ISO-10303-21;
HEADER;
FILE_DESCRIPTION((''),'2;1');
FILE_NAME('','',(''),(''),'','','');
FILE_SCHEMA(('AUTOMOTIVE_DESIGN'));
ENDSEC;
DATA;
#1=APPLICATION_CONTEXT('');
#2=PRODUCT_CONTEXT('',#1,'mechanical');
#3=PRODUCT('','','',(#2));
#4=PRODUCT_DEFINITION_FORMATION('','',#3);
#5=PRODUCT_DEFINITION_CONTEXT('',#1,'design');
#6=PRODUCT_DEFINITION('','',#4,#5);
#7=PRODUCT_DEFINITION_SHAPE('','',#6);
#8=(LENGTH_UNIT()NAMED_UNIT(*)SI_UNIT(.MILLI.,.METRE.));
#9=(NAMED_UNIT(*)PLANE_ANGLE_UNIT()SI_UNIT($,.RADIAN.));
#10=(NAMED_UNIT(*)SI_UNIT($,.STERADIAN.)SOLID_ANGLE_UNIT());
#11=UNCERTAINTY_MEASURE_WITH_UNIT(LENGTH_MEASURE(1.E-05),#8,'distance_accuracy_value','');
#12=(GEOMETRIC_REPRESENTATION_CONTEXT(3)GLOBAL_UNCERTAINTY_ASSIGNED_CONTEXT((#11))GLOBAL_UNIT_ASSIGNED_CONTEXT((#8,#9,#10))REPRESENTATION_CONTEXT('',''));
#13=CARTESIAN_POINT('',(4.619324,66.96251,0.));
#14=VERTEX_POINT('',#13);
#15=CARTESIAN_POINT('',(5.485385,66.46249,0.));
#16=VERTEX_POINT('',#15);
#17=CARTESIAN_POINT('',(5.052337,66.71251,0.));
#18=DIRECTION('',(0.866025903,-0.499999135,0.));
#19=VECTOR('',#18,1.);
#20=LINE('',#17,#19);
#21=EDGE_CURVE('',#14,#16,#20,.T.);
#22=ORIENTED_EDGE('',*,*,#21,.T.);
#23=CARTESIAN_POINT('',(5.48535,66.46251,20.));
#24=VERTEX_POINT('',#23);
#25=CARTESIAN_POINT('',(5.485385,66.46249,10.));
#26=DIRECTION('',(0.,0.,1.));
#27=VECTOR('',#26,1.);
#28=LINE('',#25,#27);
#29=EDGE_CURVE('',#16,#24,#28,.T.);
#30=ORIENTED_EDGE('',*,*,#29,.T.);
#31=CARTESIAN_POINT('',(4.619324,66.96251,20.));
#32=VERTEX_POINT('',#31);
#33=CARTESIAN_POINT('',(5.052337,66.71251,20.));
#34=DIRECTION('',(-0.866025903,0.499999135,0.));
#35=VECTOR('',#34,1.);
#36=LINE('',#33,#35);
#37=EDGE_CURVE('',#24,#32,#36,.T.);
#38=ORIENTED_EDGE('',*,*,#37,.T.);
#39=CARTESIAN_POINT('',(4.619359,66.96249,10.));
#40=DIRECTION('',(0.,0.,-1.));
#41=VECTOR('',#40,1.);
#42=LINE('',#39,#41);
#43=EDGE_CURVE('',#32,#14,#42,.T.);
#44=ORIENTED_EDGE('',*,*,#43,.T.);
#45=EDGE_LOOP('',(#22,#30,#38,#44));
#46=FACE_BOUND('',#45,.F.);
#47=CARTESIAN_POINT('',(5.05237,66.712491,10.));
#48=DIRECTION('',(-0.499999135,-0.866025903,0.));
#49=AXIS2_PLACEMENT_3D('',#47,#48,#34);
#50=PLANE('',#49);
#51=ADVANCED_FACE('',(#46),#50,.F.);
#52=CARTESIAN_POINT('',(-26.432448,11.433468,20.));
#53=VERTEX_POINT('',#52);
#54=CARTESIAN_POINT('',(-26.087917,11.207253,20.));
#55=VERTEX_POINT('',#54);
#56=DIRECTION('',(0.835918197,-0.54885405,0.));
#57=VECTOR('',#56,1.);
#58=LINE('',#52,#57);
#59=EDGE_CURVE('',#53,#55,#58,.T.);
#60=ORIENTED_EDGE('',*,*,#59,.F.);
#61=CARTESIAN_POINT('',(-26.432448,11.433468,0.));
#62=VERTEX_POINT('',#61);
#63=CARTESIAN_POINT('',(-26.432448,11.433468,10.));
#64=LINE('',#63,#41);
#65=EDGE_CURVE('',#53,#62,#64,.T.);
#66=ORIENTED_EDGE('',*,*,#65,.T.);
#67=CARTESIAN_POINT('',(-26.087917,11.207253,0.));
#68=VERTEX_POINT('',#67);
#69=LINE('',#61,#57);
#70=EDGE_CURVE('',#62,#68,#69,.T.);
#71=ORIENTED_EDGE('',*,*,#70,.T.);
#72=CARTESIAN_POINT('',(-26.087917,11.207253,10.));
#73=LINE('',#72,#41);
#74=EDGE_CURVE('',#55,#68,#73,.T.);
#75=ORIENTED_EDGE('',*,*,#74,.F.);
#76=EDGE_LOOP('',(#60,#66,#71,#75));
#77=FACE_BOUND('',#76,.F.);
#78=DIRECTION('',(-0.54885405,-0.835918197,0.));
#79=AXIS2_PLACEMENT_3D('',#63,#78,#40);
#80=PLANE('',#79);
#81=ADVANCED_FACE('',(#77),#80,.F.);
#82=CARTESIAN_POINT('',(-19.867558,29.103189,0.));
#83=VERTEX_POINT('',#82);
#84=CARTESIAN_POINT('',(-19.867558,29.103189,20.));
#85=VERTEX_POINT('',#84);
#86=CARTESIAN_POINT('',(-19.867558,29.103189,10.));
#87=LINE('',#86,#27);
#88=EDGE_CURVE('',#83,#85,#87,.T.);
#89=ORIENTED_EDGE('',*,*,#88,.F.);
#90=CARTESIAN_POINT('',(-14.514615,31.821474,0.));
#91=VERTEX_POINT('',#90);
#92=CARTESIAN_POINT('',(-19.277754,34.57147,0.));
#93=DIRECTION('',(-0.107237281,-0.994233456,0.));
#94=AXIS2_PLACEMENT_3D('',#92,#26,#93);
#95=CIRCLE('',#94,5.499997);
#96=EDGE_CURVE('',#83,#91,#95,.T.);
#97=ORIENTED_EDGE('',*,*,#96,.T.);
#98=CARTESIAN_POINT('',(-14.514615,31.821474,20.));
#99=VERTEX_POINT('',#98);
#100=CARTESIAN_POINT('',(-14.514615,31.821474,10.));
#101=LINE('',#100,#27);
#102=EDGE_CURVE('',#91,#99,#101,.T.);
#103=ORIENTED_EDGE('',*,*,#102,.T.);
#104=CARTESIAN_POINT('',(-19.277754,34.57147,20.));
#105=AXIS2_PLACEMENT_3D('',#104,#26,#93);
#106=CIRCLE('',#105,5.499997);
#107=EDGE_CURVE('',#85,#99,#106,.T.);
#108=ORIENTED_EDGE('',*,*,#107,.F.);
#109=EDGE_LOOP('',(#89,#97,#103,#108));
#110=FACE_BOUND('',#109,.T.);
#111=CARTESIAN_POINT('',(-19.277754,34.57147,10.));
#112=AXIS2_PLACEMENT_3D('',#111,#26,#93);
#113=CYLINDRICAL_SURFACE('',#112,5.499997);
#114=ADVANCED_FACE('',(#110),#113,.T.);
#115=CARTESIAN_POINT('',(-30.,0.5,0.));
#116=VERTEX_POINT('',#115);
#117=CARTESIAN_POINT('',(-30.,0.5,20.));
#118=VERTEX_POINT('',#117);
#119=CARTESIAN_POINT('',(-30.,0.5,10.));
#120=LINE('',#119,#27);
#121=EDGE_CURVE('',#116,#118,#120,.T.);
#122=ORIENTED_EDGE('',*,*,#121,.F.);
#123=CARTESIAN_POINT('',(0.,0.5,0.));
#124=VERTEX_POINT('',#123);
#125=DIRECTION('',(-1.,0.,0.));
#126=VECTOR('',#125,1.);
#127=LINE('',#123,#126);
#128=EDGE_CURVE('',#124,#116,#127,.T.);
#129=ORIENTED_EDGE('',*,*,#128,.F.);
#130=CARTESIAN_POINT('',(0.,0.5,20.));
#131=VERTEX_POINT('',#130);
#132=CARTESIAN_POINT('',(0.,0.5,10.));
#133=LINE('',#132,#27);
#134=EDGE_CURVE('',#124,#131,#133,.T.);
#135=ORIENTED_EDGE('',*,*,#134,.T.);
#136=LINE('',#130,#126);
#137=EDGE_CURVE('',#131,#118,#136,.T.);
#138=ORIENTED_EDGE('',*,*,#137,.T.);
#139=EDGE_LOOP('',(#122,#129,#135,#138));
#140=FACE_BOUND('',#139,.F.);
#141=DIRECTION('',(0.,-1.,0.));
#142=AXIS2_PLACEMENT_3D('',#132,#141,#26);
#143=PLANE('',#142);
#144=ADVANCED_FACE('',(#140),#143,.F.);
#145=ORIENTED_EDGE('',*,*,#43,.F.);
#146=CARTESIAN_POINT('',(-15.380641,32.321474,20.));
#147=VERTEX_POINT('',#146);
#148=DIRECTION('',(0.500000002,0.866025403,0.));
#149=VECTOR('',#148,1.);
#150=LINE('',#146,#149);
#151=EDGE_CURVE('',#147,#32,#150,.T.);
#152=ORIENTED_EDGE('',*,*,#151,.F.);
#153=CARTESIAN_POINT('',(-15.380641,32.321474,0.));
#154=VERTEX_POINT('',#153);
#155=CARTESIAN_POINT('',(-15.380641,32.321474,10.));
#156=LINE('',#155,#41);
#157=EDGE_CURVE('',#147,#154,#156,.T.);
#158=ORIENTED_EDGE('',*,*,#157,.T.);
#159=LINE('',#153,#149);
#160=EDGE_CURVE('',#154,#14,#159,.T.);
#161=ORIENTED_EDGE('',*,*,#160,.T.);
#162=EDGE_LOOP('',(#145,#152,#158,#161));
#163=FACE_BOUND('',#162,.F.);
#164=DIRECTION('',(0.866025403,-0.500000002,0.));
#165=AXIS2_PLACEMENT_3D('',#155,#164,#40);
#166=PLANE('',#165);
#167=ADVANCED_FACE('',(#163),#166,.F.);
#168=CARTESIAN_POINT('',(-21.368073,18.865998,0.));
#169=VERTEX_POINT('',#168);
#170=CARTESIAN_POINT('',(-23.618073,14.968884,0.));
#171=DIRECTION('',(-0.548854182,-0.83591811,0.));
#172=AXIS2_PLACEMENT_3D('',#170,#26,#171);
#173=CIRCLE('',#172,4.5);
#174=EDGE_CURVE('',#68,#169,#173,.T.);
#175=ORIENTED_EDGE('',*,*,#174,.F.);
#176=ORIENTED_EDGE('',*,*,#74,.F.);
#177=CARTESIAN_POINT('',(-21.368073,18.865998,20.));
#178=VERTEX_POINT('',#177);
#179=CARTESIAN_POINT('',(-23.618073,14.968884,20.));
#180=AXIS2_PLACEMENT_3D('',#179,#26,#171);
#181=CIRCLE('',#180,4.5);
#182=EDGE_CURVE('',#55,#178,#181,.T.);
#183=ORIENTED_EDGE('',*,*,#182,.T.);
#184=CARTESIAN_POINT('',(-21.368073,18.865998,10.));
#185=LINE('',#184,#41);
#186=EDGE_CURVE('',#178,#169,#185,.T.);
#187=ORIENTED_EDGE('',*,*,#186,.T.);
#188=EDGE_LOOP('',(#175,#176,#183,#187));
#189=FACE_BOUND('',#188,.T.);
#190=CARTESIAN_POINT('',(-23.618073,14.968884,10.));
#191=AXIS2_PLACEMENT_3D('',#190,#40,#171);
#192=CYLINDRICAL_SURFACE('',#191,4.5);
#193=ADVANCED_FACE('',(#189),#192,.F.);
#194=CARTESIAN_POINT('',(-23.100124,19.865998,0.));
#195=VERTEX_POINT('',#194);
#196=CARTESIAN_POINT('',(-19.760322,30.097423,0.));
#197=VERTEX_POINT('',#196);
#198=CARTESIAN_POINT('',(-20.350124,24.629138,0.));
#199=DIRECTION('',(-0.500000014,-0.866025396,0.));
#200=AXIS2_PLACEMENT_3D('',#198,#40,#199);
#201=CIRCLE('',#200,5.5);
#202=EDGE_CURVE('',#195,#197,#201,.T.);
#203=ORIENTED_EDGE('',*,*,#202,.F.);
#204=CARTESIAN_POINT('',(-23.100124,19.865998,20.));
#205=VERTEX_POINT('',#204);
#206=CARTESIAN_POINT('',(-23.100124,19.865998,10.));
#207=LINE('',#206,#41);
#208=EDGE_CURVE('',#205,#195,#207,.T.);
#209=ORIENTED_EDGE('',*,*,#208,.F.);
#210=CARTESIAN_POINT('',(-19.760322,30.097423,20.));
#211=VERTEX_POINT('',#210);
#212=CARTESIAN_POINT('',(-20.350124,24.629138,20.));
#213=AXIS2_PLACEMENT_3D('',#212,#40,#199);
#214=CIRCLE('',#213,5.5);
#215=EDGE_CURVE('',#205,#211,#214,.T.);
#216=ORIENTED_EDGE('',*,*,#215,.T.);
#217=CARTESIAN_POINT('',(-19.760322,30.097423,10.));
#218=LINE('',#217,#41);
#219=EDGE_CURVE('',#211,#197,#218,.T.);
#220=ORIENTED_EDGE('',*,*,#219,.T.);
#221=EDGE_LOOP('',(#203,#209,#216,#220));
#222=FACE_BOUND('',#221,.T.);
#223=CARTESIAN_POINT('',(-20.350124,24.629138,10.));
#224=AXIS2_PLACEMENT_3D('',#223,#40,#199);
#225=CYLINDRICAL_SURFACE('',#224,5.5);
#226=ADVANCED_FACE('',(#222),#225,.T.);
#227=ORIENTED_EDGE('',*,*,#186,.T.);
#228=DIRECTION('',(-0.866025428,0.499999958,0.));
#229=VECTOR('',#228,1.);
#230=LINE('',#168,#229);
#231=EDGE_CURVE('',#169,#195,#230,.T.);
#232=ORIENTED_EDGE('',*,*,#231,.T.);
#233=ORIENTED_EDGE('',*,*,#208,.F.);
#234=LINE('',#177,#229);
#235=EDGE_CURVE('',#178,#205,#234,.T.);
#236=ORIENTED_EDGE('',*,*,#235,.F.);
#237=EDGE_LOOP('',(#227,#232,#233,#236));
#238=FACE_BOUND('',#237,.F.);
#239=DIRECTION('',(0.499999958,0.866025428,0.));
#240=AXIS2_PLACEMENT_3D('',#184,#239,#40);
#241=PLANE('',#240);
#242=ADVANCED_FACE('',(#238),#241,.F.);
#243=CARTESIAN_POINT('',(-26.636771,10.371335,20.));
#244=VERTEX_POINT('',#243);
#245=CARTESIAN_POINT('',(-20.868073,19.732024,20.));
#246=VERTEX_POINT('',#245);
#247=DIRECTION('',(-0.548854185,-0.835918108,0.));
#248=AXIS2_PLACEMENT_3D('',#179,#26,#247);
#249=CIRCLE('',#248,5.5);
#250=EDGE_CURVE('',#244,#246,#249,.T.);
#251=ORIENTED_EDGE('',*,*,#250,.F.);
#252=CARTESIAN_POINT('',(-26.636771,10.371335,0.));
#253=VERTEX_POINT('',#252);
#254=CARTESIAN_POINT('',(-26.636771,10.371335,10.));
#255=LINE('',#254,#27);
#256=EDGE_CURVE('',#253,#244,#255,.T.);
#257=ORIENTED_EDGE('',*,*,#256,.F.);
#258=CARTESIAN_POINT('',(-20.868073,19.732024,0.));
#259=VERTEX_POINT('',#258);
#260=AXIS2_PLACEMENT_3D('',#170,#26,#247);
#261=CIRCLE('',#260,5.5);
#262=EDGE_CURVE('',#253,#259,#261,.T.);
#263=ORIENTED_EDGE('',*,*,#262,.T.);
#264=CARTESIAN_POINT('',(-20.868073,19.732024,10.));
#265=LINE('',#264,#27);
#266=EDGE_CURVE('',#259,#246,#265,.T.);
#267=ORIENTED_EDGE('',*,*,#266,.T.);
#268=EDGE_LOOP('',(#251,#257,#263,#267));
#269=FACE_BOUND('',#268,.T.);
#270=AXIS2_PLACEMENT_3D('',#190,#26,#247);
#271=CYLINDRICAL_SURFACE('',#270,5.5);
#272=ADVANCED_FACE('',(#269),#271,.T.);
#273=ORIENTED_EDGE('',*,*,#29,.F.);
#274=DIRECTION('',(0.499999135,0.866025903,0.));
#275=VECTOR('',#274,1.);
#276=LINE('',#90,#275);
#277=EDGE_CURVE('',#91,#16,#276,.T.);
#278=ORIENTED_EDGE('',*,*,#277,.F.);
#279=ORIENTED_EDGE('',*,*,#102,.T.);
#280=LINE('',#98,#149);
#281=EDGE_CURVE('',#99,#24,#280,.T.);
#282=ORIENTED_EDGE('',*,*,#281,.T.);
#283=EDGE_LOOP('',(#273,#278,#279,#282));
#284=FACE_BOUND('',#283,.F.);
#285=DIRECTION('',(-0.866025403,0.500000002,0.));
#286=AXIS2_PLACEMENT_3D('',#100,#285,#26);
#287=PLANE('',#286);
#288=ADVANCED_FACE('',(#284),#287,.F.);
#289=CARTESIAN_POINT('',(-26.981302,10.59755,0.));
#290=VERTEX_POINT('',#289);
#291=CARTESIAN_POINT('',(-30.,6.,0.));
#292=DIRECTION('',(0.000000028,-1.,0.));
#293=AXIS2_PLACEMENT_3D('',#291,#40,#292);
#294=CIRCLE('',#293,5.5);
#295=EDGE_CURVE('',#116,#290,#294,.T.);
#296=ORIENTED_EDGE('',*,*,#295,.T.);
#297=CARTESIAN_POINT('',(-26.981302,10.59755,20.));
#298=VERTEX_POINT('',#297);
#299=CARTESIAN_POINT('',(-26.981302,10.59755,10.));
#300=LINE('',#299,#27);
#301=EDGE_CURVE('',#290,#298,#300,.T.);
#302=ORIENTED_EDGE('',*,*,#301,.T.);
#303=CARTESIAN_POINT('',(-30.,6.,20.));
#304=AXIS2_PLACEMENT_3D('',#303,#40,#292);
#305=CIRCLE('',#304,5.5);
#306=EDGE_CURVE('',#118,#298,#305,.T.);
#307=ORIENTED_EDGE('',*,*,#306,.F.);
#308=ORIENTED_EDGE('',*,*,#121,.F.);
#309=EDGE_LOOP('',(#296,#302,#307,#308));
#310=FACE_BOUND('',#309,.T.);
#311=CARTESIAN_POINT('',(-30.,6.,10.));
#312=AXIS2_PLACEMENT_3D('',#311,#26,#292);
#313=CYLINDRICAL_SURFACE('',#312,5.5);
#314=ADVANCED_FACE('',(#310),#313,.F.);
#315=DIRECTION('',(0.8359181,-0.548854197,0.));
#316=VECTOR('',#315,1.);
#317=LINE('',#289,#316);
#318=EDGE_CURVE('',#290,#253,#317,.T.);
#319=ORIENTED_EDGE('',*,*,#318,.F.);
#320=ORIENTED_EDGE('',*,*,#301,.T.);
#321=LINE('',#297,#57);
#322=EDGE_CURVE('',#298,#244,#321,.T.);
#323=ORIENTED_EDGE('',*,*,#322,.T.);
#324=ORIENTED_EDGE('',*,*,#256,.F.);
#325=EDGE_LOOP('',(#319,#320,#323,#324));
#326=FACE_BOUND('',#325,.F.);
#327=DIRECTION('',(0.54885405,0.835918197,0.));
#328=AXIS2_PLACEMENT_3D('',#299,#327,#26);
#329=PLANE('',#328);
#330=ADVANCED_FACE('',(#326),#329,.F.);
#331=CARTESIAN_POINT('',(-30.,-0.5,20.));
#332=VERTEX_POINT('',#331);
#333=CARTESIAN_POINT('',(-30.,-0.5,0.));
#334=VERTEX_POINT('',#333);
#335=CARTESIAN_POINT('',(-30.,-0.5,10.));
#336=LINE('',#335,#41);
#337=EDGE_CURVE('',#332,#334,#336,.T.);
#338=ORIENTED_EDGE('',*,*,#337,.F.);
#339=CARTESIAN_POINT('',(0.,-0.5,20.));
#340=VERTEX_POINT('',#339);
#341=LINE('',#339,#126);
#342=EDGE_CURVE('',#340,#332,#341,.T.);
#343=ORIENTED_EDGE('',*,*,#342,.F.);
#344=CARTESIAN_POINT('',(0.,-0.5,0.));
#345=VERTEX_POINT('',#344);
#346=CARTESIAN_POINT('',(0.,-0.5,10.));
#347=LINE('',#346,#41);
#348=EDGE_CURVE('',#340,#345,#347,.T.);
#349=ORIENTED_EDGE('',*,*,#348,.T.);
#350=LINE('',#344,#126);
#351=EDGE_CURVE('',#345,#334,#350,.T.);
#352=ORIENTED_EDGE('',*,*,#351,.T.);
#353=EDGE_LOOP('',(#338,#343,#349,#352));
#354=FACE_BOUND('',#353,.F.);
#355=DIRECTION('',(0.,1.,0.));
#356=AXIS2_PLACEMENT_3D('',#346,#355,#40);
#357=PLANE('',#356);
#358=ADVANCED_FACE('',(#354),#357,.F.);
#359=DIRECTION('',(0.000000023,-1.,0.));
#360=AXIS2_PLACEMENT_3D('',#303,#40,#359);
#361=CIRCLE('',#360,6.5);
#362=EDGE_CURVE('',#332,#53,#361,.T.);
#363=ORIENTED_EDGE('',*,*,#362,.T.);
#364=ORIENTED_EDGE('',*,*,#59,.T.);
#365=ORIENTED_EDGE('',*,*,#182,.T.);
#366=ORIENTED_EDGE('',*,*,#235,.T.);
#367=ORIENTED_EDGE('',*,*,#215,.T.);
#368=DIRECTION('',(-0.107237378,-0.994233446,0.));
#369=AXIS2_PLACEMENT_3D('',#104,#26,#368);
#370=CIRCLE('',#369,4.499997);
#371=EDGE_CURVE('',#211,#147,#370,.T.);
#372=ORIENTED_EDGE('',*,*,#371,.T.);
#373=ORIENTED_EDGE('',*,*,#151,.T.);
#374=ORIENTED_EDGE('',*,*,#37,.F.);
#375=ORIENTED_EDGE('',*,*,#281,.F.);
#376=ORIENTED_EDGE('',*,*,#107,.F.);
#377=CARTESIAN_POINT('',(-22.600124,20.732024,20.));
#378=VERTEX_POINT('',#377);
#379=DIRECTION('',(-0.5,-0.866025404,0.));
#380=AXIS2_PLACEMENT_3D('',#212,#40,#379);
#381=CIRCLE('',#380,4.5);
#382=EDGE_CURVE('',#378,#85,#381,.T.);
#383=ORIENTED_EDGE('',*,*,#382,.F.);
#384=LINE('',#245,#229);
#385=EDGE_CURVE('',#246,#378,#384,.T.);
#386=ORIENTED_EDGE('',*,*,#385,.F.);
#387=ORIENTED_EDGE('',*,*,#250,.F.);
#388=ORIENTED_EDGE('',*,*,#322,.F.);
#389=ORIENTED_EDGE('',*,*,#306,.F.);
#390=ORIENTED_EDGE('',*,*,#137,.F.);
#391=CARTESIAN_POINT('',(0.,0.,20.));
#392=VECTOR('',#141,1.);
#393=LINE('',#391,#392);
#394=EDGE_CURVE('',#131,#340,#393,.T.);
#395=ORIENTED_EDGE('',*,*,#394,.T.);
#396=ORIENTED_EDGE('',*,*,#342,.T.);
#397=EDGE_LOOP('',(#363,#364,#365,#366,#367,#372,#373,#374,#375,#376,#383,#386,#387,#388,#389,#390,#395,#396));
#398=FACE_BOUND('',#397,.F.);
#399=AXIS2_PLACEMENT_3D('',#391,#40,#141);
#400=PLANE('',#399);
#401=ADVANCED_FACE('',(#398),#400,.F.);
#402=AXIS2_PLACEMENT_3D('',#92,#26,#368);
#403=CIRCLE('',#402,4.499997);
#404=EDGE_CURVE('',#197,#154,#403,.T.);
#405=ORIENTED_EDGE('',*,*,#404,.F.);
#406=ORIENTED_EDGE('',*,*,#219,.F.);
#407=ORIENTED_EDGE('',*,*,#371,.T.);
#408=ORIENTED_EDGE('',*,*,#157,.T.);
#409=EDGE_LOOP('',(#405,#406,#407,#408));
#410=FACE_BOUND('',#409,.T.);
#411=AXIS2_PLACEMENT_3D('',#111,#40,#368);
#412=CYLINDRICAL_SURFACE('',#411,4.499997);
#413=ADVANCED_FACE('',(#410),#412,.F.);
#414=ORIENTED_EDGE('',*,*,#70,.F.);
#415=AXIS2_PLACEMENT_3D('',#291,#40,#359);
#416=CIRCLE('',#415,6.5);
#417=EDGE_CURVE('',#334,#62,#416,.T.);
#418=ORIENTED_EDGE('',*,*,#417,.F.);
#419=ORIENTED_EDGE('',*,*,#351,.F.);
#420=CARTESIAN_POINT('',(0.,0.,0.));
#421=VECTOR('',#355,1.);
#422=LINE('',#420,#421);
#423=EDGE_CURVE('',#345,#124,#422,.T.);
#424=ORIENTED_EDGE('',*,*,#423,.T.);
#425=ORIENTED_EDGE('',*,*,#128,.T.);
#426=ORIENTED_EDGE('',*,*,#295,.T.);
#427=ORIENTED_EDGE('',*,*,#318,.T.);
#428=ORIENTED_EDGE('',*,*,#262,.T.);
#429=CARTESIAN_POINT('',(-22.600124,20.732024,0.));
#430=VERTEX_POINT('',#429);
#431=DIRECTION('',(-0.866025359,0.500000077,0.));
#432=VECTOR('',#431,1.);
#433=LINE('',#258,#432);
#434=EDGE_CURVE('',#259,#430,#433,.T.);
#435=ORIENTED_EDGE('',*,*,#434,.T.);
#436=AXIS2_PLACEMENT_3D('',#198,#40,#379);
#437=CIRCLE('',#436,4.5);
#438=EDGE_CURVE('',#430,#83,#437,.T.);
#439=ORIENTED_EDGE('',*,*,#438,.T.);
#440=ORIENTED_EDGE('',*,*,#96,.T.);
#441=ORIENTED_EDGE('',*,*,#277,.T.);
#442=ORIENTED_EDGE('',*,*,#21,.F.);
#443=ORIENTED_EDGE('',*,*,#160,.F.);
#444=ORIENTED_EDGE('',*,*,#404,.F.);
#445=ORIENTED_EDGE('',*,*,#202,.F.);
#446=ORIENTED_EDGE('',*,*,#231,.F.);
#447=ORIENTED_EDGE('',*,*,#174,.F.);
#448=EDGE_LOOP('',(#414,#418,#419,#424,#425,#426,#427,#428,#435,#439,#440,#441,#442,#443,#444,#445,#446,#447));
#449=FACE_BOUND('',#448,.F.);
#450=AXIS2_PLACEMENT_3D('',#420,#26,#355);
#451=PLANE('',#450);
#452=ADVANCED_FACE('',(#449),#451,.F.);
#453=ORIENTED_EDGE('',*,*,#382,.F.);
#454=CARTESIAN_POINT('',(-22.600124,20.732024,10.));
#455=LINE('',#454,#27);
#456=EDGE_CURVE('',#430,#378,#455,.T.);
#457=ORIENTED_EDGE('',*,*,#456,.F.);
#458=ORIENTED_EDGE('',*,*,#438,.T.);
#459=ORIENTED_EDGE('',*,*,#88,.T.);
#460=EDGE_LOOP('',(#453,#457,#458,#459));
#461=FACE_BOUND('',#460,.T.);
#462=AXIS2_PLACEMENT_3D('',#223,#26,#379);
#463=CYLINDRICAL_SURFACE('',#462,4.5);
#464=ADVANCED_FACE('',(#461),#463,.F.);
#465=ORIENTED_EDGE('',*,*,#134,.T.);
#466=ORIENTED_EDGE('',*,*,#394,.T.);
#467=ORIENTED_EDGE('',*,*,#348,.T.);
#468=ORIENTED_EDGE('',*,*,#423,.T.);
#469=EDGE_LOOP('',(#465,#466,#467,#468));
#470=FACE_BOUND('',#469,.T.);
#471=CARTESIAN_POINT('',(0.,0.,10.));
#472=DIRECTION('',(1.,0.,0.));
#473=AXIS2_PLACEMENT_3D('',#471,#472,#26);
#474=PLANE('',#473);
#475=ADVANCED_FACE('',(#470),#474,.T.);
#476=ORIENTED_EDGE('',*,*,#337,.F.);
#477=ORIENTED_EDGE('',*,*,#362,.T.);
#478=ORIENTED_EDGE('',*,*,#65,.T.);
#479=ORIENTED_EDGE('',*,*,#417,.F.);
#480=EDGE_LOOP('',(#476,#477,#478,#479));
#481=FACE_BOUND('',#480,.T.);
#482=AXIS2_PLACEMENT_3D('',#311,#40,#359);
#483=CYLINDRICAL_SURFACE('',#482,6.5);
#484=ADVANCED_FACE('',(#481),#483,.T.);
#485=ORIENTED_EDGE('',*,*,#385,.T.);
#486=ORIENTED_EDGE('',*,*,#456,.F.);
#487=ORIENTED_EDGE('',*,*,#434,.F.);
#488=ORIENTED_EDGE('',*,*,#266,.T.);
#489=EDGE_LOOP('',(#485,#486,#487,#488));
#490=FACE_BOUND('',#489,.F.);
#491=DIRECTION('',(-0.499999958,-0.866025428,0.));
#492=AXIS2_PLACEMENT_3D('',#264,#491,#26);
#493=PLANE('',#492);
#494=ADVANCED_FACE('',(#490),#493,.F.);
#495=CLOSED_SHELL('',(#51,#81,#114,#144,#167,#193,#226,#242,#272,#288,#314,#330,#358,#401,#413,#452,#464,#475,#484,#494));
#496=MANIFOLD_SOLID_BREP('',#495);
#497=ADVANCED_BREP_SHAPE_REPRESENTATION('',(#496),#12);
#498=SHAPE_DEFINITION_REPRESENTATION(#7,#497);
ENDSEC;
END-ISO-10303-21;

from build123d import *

# Parameters (mm, degrees)
SKETCH_W = 1
SKETCH_H = 20


with BuildPart() as part:
    # AdditivePipe: sweep along a path in Sketch001
    with BuildLine(Plane.XY) as additivepipe_path:
        Line((0, 0), (-30, 0))
        ThreePointArc((-30, 0), (-35.748611, 7.718568), (-26.706875, 11.015509))
        Line((-26.706875, 11.015509), (-26.362344, 10.789294))
        ThreePointArc((-26.362344, 10.789294), (-19.361462, 12.345669), (-21.118073, 19.299011))
        Line((-21.118073, 19.299011), (-22.850124, 20.299011))
        ThreePointArc((-22.850124, 20.299011), (-25.103298, 26.180698), (-19.81394, 29.600306))
        ThreePointArc((-19.81394, 29.600306), (-17.013872, 30.113353), (-14.947628, 32.071474))
        Line((-14.947628, 32.071474), (5.052372, 66.71249))
    # Sketch → AdditivePipe (sweep)
    with BuildSketch(Plane.YZ):
        with Locations((0, 10)):
            Rectangle(SKETCH_W, SKETCH_H)
    sweep(path=additivepipe_path.line)


solid = part.part
